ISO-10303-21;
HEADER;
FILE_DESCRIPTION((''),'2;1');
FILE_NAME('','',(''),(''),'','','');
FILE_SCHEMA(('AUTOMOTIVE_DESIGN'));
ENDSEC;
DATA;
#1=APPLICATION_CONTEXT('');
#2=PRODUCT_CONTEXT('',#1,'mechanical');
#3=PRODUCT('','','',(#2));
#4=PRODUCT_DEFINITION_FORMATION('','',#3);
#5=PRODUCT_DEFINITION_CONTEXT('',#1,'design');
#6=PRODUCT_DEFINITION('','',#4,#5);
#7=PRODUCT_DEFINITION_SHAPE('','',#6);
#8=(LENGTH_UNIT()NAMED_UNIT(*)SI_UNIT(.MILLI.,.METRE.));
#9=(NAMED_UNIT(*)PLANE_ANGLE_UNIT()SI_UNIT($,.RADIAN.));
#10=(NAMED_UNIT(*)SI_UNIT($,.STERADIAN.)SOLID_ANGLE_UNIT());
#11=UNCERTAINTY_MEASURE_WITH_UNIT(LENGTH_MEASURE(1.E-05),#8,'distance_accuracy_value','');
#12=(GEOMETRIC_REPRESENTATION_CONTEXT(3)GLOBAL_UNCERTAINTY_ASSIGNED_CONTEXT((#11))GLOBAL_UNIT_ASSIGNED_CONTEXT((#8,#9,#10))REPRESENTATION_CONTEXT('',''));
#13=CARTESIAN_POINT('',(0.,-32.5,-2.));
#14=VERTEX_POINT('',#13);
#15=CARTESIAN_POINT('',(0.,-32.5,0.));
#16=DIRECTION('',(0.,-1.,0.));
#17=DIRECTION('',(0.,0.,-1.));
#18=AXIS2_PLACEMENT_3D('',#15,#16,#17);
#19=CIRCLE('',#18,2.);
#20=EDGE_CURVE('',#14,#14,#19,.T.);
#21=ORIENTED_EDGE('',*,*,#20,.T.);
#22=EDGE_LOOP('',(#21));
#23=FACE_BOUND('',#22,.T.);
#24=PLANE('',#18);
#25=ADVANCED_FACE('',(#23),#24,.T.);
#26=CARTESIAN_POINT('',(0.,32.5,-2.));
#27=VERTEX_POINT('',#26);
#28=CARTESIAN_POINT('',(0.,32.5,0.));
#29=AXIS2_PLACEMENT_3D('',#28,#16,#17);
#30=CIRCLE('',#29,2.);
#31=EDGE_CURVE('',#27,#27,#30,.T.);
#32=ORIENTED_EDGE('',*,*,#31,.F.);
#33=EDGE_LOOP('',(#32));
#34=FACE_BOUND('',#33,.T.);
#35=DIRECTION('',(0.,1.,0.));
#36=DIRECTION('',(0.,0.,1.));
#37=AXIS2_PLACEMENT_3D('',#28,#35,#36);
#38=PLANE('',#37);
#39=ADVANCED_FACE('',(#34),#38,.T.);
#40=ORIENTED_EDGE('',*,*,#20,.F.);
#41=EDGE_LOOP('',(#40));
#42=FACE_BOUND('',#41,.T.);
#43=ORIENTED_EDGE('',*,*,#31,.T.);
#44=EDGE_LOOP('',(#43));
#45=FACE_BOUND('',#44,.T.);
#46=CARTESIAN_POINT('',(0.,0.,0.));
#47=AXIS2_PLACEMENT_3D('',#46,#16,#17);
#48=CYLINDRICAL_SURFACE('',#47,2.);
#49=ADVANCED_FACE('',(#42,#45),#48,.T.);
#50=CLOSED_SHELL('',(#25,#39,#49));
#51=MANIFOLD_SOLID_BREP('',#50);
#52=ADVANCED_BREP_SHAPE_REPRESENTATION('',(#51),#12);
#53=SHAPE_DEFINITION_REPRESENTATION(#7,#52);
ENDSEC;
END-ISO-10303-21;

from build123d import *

# Parameters (mm, degrees)
SKETCH1_W = 2
SKETCH1_H = 65


with BuildPart() as part:
    # Sketch1 → Revolve1 (revolve)
    with BuildSketch(Plane.XY):
        with Locations((1, 0)):
            Rectangle(SKETCH1_W, SKETCH1_H)
    revolve(axis=Axis((0, 0, 0), (0, 1, 0)))


solid = part.part
